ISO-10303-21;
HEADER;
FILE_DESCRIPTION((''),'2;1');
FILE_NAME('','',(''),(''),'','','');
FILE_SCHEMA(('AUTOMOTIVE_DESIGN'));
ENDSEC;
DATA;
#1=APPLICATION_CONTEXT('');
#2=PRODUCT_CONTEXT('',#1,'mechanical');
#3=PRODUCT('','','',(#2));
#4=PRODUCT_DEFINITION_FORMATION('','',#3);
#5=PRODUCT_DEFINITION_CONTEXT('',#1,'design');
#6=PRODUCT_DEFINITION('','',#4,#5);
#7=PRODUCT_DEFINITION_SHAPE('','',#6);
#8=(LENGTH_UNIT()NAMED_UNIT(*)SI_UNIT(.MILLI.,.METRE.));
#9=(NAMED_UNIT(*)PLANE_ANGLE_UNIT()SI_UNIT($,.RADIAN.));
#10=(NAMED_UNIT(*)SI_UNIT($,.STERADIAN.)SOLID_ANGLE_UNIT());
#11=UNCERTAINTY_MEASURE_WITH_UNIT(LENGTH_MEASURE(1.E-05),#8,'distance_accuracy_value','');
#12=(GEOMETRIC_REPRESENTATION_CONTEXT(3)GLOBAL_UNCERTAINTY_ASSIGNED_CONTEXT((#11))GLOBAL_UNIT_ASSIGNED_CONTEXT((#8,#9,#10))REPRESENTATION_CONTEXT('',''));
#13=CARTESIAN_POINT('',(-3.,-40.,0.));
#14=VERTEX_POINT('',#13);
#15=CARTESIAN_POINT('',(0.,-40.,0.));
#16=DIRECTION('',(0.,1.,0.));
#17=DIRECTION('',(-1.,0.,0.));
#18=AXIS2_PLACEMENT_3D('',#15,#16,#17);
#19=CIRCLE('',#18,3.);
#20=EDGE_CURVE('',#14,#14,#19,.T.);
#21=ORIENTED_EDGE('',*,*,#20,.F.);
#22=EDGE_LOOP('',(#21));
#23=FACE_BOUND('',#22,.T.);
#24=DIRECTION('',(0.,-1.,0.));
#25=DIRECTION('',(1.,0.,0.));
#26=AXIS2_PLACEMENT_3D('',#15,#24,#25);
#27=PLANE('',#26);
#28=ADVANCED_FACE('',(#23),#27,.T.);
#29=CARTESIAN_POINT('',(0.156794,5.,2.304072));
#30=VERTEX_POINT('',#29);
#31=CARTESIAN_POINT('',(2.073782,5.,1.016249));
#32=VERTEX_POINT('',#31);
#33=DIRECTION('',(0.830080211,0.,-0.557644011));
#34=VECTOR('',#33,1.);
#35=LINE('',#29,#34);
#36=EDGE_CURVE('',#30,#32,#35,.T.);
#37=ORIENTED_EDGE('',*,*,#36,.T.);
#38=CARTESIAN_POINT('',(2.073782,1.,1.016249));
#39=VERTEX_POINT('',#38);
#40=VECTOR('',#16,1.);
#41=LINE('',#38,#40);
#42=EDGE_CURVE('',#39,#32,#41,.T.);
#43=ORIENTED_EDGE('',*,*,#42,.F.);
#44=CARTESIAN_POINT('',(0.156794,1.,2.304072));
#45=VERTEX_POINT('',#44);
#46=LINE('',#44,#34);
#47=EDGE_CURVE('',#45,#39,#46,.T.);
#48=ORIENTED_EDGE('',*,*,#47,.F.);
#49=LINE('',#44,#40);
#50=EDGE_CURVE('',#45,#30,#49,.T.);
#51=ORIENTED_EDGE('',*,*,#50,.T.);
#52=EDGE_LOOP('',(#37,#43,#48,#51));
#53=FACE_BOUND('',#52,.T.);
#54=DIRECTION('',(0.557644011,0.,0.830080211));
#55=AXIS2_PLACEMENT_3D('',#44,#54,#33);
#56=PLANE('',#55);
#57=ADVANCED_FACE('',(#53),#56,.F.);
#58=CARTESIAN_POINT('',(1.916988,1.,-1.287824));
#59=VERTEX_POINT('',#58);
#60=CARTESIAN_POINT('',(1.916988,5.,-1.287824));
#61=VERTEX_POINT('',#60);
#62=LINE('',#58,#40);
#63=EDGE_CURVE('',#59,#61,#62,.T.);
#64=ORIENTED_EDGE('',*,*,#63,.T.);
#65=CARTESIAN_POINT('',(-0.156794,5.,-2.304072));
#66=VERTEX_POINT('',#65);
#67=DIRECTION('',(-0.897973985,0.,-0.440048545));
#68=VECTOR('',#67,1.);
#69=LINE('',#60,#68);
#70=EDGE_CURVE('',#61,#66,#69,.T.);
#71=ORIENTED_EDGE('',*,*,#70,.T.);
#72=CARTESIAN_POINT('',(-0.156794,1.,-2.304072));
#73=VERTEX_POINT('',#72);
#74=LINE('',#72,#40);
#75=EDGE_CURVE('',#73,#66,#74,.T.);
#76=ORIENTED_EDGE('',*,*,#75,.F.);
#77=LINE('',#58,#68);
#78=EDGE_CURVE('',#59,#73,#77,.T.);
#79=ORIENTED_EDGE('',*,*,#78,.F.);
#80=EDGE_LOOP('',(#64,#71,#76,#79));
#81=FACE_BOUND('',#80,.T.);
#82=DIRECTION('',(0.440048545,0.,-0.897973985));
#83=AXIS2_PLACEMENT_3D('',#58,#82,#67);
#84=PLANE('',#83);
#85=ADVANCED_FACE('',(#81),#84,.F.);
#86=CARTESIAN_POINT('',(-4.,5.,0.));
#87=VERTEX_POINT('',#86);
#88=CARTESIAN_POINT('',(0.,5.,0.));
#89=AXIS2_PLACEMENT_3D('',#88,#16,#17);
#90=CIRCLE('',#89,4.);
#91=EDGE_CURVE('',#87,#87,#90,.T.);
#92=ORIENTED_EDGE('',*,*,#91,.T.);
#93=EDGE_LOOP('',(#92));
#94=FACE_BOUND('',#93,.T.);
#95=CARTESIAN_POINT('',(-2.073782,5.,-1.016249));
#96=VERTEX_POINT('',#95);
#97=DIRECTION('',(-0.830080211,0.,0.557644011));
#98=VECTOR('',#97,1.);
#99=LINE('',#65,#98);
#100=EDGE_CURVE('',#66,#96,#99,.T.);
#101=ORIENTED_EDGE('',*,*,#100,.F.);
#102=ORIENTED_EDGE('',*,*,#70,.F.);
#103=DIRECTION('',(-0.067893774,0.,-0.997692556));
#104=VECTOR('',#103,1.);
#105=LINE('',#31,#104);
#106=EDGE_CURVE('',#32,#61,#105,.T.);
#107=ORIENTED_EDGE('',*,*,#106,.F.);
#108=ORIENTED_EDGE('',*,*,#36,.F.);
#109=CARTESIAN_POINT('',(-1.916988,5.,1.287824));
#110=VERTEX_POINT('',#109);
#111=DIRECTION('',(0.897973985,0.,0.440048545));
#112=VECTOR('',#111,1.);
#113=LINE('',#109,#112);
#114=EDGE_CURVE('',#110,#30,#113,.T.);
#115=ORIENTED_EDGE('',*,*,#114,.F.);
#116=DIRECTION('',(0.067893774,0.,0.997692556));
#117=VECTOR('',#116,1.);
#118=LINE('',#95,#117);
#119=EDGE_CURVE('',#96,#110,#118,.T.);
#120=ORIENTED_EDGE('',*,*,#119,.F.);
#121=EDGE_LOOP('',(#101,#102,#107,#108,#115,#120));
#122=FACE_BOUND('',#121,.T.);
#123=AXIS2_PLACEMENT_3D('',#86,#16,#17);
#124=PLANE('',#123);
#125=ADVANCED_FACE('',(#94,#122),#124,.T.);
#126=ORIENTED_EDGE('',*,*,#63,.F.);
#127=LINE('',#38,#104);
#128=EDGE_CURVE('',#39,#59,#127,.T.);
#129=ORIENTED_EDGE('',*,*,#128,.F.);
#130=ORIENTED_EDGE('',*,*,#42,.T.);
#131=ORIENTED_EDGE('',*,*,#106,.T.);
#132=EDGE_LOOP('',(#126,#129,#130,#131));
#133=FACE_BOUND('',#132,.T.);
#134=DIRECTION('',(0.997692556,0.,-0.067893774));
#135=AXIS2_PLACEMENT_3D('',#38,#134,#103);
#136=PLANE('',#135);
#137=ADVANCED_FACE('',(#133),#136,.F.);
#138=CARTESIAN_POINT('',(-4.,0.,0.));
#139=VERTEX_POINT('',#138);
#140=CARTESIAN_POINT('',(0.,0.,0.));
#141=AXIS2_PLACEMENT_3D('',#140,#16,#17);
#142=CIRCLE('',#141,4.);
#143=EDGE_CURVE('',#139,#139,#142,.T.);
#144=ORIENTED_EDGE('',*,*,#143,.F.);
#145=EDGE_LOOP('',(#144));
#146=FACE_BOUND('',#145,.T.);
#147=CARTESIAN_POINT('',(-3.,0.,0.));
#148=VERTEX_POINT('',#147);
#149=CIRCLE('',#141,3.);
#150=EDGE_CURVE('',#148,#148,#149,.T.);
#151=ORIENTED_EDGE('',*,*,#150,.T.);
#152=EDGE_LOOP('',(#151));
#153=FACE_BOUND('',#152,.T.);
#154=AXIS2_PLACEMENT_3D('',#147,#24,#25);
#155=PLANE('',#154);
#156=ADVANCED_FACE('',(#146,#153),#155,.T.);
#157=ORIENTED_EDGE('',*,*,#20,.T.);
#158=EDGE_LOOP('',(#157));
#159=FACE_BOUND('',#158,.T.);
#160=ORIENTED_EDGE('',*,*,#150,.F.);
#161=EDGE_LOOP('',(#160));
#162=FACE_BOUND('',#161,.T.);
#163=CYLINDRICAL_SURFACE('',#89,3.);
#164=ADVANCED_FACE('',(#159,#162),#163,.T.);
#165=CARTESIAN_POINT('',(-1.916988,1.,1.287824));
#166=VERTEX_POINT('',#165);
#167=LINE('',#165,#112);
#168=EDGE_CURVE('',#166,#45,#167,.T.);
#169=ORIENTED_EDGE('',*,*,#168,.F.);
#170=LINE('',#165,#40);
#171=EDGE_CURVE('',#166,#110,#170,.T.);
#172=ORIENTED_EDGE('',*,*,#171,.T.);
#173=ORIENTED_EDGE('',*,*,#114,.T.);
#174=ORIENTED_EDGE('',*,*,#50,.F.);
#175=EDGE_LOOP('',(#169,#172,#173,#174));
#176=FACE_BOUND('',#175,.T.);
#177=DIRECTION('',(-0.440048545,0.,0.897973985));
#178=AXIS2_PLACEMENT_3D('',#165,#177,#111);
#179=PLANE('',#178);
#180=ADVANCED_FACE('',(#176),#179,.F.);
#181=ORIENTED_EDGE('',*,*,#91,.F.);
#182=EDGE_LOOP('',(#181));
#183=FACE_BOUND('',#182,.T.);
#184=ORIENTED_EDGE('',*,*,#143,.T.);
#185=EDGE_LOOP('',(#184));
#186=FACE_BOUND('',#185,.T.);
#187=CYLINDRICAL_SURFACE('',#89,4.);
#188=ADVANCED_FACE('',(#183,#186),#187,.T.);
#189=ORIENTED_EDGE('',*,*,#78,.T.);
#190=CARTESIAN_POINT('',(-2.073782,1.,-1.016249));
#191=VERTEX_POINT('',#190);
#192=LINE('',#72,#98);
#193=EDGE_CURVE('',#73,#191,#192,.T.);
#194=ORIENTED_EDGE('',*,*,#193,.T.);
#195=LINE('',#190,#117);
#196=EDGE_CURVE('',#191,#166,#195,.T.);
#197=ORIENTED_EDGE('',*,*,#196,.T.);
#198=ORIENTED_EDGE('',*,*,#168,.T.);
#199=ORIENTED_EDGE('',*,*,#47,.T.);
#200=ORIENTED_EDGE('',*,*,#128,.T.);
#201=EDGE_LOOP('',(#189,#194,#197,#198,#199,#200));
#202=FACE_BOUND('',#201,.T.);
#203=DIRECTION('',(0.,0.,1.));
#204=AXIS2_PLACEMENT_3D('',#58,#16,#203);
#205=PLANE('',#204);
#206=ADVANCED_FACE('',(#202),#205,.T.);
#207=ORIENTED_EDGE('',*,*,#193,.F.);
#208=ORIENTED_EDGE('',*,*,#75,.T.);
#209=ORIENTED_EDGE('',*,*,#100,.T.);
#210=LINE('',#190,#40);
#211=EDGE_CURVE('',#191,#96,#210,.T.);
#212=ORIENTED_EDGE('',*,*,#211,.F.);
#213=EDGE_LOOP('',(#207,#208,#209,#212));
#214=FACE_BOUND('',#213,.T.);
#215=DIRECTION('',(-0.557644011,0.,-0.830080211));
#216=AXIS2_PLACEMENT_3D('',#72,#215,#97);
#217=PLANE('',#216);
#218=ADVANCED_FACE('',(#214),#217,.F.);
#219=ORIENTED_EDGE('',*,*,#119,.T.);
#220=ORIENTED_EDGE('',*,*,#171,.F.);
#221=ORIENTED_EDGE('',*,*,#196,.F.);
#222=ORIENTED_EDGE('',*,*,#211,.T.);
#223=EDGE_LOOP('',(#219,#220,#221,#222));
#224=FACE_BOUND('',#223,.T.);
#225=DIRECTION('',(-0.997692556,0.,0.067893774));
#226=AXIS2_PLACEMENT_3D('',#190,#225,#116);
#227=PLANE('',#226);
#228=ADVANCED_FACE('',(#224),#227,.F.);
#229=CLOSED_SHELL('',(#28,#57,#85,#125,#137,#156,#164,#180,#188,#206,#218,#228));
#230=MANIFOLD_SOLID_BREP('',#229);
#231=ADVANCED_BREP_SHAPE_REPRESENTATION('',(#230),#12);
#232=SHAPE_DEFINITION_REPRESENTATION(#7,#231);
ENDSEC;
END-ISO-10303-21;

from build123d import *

# Parameters (mm, degrees)
CUT_EXTRUDE1_DEPTH = 4


with BuildPart() as part:
    # Sketch1 → Revolve1 (revolve)
    with BuildSketch(Plane.XY):
        Polygon((-4, 0), (-4, 5), (0, 5), (0, -40), (-3, -40), (-3, 0), align=None)
    revolve(axis=Axis((0, 5, 0), (0, -1, 0)))

    # Sketch2 → Cut-Extrude1 (cut)
    with BuildSketch(Plane(origin=(0, 5, 0), x_dir=(1, 0, 0), z_dir=(0, 1, 0))):
        Polygon((1.916988134, 1.287823679), (-0.156793954, 2.304072262), (-2.073782088, 1.016248584), (-1.916988134, -1.287823679), (0.156793954, -2.304072262), (2.073782088, -1.016248584), align=None)
    extrude(amount=-CUT_EXTRUDE1_DEPTH, mode=Mode.SUBTRACT)


solid = part.part
